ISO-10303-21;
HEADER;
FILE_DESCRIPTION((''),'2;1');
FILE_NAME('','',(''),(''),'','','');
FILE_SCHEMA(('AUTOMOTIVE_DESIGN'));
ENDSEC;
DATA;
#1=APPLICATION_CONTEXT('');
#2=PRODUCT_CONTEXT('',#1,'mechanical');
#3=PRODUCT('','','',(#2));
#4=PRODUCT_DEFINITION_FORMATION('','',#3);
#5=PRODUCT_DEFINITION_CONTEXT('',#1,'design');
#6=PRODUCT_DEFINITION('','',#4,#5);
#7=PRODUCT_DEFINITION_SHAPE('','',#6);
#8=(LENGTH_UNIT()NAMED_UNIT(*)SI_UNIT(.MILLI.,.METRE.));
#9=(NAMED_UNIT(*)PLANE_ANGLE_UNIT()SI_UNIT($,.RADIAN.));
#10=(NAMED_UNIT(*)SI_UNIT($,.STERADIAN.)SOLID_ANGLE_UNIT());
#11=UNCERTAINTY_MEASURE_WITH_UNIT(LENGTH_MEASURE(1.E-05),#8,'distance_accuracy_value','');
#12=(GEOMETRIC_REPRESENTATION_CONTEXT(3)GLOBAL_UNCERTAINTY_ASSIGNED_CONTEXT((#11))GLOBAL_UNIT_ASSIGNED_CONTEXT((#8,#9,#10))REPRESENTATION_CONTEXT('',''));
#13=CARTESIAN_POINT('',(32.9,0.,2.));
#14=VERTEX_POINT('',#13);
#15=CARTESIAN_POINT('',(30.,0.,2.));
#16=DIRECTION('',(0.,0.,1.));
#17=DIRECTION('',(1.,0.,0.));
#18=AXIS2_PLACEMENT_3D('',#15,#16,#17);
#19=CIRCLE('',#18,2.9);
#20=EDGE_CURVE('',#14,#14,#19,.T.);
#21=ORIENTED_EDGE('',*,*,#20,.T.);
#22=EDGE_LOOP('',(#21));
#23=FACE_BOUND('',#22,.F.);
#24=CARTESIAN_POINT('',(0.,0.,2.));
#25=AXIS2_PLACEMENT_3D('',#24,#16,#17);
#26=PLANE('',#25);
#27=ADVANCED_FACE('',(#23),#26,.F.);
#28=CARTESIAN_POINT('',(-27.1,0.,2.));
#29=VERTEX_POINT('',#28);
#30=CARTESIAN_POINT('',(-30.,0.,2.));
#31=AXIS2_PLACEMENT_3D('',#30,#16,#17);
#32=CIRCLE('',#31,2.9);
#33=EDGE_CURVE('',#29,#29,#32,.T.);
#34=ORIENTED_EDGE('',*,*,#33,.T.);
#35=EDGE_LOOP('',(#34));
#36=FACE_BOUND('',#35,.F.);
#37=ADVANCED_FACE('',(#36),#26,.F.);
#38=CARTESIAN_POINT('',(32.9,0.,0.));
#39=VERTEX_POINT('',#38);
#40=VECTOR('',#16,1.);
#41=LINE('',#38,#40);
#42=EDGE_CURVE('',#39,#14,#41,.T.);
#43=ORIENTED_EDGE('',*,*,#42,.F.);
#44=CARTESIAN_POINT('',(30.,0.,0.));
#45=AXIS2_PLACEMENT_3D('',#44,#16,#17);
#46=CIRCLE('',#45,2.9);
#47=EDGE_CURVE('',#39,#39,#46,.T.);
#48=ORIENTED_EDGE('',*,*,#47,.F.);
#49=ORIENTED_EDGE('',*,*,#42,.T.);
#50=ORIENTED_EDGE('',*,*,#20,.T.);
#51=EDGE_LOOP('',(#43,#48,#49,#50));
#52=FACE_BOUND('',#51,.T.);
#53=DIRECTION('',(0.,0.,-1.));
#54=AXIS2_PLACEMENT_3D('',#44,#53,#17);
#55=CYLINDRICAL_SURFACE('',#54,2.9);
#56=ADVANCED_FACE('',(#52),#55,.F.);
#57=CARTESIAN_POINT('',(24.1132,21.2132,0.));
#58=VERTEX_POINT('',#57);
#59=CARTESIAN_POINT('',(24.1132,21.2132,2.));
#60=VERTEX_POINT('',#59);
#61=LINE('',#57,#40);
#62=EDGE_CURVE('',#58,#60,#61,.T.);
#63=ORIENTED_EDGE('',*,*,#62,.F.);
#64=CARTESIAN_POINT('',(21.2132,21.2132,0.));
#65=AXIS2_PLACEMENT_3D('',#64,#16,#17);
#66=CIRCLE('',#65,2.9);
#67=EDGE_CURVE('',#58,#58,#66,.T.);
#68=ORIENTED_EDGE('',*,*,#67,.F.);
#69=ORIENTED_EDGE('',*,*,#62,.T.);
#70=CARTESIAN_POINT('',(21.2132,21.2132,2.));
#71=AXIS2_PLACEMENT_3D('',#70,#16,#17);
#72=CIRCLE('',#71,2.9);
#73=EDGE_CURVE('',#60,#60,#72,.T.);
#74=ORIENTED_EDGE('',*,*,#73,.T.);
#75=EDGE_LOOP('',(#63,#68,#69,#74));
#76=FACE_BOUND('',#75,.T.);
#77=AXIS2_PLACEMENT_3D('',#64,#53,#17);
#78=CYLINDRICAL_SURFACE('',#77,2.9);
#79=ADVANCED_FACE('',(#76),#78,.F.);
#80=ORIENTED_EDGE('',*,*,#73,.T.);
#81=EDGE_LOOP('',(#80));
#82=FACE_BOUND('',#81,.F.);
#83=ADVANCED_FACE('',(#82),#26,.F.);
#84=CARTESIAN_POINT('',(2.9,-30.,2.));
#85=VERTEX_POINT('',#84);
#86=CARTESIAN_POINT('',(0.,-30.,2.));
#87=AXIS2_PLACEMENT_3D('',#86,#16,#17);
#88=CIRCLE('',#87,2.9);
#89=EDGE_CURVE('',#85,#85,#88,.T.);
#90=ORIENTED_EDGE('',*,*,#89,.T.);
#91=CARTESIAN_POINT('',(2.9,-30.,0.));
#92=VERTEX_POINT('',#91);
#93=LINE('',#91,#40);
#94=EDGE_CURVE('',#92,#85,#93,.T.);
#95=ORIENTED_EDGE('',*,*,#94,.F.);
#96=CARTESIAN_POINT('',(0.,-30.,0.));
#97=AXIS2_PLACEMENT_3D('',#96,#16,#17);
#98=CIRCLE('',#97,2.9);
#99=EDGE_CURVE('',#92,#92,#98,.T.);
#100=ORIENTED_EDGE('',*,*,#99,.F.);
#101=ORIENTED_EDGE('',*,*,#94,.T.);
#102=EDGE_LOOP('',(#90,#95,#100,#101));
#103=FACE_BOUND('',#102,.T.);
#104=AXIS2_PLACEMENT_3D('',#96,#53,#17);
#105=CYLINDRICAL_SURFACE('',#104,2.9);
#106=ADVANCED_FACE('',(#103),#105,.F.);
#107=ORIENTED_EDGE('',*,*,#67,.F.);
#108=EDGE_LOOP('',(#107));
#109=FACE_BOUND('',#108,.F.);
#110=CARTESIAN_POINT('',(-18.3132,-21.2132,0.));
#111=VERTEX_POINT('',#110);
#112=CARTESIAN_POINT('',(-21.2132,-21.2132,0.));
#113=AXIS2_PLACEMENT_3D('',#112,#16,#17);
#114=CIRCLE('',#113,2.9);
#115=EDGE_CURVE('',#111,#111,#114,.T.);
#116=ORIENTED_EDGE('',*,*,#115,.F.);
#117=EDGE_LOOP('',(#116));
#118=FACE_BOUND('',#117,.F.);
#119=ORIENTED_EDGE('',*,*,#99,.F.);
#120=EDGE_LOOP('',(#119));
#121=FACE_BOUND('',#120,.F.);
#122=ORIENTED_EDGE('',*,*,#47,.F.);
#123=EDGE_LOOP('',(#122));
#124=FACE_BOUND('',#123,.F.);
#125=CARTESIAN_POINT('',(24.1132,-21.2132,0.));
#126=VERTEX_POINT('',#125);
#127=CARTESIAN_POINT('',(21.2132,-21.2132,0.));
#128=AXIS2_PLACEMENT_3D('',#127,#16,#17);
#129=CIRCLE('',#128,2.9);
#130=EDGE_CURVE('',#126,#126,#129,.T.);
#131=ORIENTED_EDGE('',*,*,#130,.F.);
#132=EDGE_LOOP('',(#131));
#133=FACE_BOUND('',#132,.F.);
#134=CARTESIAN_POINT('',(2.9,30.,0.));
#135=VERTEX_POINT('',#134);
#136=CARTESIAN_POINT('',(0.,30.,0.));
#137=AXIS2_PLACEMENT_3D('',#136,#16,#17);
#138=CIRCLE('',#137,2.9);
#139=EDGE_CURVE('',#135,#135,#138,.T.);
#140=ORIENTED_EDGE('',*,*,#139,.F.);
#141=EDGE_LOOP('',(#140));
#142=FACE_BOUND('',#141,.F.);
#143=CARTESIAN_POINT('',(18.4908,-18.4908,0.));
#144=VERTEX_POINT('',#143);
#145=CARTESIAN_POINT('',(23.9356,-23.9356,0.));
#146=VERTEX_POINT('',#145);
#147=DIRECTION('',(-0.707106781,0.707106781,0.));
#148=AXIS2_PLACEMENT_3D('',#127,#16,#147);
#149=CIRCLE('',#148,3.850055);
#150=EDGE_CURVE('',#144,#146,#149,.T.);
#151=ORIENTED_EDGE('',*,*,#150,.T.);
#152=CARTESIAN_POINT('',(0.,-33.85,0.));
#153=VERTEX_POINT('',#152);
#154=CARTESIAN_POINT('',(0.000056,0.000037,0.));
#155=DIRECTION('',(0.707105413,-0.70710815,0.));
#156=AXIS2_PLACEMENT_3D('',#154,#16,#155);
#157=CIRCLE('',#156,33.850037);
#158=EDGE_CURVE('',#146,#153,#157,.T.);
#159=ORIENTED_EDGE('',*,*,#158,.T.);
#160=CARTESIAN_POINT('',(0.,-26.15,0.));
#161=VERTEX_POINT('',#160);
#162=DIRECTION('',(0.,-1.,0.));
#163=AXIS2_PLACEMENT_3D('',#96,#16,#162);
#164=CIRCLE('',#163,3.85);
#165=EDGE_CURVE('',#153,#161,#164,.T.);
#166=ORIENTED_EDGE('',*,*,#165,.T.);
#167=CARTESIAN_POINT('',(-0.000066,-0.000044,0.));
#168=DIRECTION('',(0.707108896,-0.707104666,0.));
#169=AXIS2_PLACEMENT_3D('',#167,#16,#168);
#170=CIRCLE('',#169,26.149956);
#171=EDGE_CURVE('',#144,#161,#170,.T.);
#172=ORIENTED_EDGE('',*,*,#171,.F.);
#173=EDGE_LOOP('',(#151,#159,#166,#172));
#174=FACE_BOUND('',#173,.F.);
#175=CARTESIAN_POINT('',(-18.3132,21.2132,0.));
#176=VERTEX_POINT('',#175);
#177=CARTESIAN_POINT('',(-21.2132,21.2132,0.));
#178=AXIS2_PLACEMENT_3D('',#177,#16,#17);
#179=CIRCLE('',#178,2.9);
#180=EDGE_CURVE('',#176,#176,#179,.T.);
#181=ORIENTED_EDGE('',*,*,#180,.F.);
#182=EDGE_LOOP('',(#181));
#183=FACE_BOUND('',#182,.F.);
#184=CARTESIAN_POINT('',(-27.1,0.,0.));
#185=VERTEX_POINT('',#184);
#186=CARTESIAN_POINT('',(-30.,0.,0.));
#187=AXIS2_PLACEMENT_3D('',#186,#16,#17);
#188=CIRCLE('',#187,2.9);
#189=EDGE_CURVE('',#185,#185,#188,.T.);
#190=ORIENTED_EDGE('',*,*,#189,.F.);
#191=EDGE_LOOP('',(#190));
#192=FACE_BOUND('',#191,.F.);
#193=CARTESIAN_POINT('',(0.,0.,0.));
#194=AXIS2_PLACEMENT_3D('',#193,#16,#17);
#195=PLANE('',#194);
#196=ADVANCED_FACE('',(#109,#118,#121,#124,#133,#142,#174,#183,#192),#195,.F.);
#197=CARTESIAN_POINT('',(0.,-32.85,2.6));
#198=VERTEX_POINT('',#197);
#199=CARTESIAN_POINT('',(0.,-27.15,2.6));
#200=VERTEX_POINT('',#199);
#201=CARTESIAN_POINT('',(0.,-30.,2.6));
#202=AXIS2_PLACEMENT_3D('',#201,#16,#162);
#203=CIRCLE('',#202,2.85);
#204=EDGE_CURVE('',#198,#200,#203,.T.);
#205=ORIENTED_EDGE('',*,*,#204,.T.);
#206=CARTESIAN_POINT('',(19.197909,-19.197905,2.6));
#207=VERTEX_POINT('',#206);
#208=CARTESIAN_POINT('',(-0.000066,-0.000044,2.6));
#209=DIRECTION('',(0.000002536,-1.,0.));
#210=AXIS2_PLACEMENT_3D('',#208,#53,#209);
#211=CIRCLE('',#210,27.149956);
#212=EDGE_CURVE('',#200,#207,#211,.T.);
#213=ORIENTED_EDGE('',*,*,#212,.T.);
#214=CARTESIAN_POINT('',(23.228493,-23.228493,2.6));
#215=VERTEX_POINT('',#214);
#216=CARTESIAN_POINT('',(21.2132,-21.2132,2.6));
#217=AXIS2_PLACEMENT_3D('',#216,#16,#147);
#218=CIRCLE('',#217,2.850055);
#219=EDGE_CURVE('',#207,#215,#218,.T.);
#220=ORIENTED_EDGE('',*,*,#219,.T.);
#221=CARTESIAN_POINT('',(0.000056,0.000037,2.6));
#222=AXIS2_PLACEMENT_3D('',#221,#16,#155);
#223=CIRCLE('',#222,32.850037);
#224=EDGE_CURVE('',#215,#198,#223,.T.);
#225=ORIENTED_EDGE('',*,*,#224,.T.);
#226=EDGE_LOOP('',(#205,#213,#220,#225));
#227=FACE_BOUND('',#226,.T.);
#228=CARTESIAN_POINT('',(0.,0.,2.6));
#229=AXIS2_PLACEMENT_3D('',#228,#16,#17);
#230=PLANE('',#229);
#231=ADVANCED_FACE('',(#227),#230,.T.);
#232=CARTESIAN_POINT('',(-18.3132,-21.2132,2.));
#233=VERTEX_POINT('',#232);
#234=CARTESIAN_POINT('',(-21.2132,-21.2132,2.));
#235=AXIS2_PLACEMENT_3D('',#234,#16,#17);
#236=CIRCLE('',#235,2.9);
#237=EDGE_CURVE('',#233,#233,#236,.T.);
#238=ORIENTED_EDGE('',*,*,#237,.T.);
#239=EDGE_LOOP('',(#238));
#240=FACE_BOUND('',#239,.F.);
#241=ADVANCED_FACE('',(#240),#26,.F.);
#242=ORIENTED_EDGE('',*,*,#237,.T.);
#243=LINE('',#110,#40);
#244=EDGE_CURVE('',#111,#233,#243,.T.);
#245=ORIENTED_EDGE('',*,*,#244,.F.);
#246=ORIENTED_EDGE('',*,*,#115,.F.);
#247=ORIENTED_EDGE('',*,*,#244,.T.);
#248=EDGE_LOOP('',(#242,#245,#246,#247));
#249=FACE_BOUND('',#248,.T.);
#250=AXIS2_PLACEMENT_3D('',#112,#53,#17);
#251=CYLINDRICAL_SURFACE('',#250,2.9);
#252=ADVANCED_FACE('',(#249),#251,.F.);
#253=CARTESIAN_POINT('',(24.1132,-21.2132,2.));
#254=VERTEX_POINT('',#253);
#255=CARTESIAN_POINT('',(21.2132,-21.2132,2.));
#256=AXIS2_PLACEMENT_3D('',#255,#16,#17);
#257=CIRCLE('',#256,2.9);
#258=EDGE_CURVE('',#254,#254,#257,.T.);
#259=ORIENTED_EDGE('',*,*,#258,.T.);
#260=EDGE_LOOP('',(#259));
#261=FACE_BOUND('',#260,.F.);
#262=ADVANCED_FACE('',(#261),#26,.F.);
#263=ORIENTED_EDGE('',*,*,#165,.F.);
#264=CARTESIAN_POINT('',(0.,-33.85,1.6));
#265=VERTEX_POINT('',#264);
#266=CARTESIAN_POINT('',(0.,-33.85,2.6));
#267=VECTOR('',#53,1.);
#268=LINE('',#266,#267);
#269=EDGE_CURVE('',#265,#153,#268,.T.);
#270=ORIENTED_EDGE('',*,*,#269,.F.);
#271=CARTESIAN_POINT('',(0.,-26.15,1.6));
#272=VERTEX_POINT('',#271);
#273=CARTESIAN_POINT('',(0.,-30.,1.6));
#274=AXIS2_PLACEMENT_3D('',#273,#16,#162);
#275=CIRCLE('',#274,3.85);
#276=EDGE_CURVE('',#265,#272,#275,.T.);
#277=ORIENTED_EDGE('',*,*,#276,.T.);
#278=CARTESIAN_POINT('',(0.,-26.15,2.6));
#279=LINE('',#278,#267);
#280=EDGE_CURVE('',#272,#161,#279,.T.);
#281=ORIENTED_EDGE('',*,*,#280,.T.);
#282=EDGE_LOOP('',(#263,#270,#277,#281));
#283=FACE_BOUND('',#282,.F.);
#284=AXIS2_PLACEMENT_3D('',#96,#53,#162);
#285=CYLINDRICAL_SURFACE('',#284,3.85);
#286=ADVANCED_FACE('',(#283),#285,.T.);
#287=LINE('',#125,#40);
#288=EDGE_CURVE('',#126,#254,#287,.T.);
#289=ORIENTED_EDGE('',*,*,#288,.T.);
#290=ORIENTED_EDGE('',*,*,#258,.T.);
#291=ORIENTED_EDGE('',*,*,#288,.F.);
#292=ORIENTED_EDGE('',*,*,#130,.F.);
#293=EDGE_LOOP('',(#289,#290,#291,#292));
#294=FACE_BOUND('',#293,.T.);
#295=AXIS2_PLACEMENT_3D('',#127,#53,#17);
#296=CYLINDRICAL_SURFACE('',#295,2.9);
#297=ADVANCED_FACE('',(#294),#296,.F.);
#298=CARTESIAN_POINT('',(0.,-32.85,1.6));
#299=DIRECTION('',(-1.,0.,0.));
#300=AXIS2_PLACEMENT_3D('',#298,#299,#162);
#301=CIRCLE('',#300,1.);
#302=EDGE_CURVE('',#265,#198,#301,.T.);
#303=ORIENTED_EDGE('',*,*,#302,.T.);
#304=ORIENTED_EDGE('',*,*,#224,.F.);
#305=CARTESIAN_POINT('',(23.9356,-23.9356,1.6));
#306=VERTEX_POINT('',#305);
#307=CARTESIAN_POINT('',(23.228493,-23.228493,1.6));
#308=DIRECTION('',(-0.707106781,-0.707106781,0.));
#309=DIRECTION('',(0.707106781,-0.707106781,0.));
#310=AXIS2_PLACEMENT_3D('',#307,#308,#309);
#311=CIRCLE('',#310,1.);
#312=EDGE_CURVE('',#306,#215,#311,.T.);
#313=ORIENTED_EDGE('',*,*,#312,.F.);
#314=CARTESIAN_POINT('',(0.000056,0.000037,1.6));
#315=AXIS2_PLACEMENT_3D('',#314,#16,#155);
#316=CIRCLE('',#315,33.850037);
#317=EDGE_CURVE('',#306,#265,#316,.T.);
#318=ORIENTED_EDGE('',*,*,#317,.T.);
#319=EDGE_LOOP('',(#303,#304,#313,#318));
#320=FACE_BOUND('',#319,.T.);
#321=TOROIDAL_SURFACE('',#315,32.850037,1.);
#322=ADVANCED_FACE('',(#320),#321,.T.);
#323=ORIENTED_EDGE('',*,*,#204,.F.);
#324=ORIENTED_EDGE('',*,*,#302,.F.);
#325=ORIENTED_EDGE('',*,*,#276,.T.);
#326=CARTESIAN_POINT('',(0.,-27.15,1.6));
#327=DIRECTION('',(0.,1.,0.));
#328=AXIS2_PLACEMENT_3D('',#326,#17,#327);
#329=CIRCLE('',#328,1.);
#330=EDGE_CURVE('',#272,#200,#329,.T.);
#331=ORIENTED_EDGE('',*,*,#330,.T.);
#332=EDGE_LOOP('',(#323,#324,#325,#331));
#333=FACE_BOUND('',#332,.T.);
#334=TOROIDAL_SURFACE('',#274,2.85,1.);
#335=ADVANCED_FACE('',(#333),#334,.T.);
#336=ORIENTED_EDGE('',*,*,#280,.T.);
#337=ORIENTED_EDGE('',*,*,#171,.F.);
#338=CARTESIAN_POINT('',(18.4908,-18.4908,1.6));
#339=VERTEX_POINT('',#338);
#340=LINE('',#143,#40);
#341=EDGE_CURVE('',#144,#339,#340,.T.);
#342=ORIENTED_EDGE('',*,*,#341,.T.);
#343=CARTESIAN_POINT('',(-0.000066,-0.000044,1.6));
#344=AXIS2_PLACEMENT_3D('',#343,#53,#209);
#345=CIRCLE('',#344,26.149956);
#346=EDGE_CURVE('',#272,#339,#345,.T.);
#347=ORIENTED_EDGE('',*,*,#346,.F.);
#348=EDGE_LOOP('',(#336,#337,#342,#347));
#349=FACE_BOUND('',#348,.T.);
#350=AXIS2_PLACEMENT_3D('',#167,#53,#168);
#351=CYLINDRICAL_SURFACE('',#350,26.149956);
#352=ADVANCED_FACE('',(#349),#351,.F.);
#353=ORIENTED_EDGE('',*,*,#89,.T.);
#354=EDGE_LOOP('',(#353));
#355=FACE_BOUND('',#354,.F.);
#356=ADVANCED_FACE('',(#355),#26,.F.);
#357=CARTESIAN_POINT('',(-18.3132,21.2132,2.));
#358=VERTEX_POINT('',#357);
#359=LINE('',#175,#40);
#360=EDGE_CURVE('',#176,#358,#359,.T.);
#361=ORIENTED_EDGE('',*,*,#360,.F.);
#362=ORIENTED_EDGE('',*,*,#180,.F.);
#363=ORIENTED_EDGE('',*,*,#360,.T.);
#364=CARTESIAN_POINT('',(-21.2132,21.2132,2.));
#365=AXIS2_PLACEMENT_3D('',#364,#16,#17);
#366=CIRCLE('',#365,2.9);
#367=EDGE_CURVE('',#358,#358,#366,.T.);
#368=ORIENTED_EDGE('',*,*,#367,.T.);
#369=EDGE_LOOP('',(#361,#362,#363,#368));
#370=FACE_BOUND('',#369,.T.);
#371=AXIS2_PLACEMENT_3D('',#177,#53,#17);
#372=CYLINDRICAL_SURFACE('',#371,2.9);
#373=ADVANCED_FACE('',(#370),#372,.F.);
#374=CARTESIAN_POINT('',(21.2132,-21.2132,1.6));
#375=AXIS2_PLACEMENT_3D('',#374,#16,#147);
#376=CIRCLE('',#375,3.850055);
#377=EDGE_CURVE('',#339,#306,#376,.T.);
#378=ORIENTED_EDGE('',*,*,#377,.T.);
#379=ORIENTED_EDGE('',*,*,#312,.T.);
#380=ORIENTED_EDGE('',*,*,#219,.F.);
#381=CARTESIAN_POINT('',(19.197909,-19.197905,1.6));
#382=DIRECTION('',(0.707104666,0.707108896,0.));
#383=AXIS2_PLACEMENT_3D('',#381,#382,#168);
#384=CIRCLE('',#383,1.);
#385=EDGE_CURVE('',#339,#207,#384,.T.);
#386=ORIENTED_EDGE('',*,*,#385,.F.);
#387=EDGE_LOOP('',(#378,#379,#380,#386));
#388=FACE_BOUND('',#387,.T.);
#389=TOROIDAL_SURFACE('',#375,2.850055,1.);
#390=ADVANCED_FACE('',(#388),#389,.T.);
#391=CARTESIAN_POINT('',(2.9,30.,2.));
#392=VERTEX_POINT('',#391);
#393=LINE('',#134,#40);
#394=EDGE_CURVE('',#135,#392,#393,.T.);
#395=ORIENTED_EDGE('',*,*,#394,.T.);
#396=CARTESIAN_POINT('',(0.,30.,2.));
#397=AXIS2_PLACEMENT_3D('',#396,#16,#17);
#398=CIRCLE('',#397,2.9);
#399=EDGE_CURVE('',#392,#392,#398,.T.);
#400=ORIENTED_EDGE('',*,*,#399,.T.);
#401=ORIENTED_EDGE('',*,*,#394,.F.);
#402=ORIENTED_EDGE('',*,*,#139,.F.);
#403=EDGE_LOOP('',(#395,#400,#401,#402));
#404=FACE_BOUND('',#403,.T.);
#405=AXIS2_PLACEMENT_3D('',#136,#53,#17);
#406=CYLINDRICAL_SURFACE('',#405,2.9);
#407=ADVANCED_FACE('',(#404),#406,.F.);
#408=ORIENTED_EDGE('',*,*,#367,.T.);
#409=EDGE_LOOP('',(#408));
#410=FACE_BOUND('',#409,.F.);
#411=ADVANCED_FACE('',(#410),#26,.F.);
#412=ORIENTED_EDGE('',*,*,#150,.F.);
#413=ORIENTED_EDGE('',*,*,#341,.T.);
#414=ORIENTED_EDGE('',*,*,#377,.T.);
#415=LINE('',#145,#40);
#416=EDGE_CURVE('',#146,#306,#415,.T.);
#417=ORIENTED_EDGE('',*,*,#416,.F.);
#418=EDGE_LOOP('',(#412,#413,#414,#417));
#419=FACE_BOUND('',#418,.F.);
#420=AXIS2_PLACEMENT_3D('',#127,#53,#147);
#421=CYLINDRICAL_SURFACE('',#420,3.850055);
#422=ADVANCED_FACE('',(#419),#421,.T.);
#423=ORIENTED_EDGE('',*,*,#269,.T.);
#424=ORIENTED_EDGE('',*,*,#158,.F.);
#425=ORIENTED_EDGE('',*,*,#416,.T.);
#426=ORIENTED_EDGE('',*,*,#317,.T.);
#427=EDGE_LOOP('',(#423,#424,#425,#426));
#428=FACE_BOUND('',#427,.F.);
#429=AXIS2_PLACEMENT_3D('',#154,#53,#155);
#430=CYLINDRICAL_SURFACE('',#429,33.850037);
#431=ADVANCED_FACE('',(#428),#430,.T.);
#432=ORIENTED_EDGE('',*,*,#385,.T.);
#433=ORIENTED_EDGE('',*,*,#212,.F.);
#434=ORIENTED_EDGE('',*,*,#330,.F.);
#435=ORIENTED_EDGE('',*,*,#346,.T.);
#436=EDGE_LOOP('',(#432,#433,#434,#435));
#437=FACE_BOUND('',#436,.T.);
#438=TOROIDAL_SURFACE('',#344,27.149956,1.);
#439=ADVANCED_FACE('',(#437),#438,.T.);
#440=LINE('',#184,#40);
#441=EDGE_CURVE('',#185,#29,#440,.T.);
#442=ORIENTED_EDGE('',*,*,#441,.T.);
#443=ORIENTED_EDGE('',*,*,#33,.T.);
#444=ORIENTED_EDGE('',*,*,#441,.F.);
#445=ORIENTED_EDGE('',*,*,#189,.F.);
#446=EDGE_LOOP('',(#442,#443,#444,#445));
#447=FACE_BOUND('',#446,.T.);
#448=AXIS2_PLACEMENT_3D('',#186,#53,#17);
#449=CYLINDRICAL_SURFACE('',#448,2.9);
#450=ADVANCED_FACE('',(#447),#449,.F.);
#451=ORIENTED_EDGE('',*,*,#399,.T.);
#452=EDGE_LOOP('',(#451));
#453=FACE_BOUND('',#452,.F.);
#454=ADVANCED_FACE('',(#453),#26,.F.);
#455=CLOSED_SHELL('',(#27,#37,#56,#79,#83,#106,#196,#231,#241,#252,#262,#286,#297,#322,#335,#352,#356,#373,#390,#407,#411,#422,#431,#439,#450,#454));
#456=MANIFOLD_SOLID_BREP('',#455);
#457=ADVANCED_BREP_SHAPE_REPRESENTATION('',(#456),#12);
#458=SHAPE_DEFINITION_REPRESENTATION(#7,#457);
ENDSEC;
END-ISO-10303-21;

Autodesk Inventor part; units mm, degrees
ref_plane "YZ Plane" through (0, 0, 0) normal (1, 0, 0) x (0, 1, 0)
ref_plane "XZ Plane" through (0, 0, 0) normal (0, 1, 0) x (-1, 0, 0)
ref_plane "XY Plane" through (0, 0, 0) normal (0, 0, 1) x (1, 0, 0)
sketch "Block1" plane through (0, 0, 0) normal (0, 0, 1) x (1, 0, 0)
  circle A0 centre (250, 0) radius 40 construction
  arc A1 (284, 0) -> (274.0416, -24.0416) centre (250, 0) ccw construction
  circle A2 centre (250, 0) radius 10.05 construction
  arc A3 (276, 0) -> (268.3848, -18.3848) centre (250, 0) ccw construction
  circle A4 centre (280, 0) radius 1.6 construction
  arc A5 (276, 0) -> (284, 0) centre (280, 0) ccw construction
  circle A6 centre (271.2132, -21.2132) radius 1.6 construction
  arc A7 (274.0416, -24.0416) -> (268.3848, -18.3848) centre (271.2132, -21.2132) ccw construction
  point P0 (269.205, -7.955)
  dimension "d0" = 8
sketch "Sketch1" plane through (0, 0, 0) normal (0, 0, 1) x (1, 0, 0)
  arc A0 (18.4908, -18.4908) -> (0, -26.15) centre (0, 0) ccw
  arc A1 (23.9356, -23.9356) -> (0, -33.85) centre (0, 0) ccw
  arc A2 (0, -33.85) -> (0, -26.15) centre (0, -30) ccw
  circle A3 centre (0, -30) radius 2.9
  arc A4 (18.4908, -18.4908) -> (23.9356, -23.9356) centre (21.2132, -21.2132) ccw
  circle A5 centre (21.2132, -21.2132) radius 2.9
  circle A6 centre (30, 0) radius 2.9
  circle A7 centre (21.2132, 21.2132) radius 2.9
  circle A8 centre (0, 30) radius 2.9
  circle A9 centre (-21.2132, 21.2132) radius 2.9
  circle A10 centre (-30, 0) radius 2.9
  circle A11 centre (-21.2132, -21.2132) radius 2.9
  point P0 (0, 0)
  point P1 (0, 0)
  dimension "d1" = 0.15
  dimension "d2" = 5.8
  dimension "d5" = 360
extrude "Extrusion1" add sketch "Sketch1" along normal blind 2
sketch "Sketch2" plane through (0, 0, 2) normal (0, 0, 1) x (1, 0, 0)
  arc A0 (23.9356, -23.9356) -> (0, -33.85) centre (0, 0) ccw projected
  arc A1 (0, -33.85) -> (0, -26.15) centre (0, -30) ccw projected
  arc A2 (18.4908, -18.4908) -> (0, -26.15) centre (0, 0) ccw projected
  arc A3 (18.4908, -18.4908) -> (23.9356, -23.9356) centre (21.2132, -21.2132) ccw projected
  circle A4 centre (0, 30) radius 2.9 projected
  circle A5 centre (30, 0) radius 2.9 projected
  circle A6 centre (21.2132, -21.2132) radius 2.9 projected
  circle A7 centre (-30, 0) radius 2.9 projected
  circle A8 centre (-21.2132, -21.2132) radius 2.9 projected
  circle A9 centre (-21.2132, 21.2132) radius 2.9 projected
  circle A10 centre (21.2132, 21.2132) radius 2.9 projected
  circle A11 centre (0, -30) radius 2.9 projected
  point P0 (0, 0)
extrude "Extrusion2" add sketch "Sketch2" along normal blind 0.6 contours A3 A2 A1 A0 | A4 | A5 | A6 | A7 | A8 | A9 | A10 | A11
fillet "Fillet1" radius 1 4 edges at (3.85, -30, 2.6) (-10.0072, 24.1594, 2.6) (18.4908, -23.9356, 2.6) (-12.9538, 31.2733, 2.6)
properties part number "LogoCover"
